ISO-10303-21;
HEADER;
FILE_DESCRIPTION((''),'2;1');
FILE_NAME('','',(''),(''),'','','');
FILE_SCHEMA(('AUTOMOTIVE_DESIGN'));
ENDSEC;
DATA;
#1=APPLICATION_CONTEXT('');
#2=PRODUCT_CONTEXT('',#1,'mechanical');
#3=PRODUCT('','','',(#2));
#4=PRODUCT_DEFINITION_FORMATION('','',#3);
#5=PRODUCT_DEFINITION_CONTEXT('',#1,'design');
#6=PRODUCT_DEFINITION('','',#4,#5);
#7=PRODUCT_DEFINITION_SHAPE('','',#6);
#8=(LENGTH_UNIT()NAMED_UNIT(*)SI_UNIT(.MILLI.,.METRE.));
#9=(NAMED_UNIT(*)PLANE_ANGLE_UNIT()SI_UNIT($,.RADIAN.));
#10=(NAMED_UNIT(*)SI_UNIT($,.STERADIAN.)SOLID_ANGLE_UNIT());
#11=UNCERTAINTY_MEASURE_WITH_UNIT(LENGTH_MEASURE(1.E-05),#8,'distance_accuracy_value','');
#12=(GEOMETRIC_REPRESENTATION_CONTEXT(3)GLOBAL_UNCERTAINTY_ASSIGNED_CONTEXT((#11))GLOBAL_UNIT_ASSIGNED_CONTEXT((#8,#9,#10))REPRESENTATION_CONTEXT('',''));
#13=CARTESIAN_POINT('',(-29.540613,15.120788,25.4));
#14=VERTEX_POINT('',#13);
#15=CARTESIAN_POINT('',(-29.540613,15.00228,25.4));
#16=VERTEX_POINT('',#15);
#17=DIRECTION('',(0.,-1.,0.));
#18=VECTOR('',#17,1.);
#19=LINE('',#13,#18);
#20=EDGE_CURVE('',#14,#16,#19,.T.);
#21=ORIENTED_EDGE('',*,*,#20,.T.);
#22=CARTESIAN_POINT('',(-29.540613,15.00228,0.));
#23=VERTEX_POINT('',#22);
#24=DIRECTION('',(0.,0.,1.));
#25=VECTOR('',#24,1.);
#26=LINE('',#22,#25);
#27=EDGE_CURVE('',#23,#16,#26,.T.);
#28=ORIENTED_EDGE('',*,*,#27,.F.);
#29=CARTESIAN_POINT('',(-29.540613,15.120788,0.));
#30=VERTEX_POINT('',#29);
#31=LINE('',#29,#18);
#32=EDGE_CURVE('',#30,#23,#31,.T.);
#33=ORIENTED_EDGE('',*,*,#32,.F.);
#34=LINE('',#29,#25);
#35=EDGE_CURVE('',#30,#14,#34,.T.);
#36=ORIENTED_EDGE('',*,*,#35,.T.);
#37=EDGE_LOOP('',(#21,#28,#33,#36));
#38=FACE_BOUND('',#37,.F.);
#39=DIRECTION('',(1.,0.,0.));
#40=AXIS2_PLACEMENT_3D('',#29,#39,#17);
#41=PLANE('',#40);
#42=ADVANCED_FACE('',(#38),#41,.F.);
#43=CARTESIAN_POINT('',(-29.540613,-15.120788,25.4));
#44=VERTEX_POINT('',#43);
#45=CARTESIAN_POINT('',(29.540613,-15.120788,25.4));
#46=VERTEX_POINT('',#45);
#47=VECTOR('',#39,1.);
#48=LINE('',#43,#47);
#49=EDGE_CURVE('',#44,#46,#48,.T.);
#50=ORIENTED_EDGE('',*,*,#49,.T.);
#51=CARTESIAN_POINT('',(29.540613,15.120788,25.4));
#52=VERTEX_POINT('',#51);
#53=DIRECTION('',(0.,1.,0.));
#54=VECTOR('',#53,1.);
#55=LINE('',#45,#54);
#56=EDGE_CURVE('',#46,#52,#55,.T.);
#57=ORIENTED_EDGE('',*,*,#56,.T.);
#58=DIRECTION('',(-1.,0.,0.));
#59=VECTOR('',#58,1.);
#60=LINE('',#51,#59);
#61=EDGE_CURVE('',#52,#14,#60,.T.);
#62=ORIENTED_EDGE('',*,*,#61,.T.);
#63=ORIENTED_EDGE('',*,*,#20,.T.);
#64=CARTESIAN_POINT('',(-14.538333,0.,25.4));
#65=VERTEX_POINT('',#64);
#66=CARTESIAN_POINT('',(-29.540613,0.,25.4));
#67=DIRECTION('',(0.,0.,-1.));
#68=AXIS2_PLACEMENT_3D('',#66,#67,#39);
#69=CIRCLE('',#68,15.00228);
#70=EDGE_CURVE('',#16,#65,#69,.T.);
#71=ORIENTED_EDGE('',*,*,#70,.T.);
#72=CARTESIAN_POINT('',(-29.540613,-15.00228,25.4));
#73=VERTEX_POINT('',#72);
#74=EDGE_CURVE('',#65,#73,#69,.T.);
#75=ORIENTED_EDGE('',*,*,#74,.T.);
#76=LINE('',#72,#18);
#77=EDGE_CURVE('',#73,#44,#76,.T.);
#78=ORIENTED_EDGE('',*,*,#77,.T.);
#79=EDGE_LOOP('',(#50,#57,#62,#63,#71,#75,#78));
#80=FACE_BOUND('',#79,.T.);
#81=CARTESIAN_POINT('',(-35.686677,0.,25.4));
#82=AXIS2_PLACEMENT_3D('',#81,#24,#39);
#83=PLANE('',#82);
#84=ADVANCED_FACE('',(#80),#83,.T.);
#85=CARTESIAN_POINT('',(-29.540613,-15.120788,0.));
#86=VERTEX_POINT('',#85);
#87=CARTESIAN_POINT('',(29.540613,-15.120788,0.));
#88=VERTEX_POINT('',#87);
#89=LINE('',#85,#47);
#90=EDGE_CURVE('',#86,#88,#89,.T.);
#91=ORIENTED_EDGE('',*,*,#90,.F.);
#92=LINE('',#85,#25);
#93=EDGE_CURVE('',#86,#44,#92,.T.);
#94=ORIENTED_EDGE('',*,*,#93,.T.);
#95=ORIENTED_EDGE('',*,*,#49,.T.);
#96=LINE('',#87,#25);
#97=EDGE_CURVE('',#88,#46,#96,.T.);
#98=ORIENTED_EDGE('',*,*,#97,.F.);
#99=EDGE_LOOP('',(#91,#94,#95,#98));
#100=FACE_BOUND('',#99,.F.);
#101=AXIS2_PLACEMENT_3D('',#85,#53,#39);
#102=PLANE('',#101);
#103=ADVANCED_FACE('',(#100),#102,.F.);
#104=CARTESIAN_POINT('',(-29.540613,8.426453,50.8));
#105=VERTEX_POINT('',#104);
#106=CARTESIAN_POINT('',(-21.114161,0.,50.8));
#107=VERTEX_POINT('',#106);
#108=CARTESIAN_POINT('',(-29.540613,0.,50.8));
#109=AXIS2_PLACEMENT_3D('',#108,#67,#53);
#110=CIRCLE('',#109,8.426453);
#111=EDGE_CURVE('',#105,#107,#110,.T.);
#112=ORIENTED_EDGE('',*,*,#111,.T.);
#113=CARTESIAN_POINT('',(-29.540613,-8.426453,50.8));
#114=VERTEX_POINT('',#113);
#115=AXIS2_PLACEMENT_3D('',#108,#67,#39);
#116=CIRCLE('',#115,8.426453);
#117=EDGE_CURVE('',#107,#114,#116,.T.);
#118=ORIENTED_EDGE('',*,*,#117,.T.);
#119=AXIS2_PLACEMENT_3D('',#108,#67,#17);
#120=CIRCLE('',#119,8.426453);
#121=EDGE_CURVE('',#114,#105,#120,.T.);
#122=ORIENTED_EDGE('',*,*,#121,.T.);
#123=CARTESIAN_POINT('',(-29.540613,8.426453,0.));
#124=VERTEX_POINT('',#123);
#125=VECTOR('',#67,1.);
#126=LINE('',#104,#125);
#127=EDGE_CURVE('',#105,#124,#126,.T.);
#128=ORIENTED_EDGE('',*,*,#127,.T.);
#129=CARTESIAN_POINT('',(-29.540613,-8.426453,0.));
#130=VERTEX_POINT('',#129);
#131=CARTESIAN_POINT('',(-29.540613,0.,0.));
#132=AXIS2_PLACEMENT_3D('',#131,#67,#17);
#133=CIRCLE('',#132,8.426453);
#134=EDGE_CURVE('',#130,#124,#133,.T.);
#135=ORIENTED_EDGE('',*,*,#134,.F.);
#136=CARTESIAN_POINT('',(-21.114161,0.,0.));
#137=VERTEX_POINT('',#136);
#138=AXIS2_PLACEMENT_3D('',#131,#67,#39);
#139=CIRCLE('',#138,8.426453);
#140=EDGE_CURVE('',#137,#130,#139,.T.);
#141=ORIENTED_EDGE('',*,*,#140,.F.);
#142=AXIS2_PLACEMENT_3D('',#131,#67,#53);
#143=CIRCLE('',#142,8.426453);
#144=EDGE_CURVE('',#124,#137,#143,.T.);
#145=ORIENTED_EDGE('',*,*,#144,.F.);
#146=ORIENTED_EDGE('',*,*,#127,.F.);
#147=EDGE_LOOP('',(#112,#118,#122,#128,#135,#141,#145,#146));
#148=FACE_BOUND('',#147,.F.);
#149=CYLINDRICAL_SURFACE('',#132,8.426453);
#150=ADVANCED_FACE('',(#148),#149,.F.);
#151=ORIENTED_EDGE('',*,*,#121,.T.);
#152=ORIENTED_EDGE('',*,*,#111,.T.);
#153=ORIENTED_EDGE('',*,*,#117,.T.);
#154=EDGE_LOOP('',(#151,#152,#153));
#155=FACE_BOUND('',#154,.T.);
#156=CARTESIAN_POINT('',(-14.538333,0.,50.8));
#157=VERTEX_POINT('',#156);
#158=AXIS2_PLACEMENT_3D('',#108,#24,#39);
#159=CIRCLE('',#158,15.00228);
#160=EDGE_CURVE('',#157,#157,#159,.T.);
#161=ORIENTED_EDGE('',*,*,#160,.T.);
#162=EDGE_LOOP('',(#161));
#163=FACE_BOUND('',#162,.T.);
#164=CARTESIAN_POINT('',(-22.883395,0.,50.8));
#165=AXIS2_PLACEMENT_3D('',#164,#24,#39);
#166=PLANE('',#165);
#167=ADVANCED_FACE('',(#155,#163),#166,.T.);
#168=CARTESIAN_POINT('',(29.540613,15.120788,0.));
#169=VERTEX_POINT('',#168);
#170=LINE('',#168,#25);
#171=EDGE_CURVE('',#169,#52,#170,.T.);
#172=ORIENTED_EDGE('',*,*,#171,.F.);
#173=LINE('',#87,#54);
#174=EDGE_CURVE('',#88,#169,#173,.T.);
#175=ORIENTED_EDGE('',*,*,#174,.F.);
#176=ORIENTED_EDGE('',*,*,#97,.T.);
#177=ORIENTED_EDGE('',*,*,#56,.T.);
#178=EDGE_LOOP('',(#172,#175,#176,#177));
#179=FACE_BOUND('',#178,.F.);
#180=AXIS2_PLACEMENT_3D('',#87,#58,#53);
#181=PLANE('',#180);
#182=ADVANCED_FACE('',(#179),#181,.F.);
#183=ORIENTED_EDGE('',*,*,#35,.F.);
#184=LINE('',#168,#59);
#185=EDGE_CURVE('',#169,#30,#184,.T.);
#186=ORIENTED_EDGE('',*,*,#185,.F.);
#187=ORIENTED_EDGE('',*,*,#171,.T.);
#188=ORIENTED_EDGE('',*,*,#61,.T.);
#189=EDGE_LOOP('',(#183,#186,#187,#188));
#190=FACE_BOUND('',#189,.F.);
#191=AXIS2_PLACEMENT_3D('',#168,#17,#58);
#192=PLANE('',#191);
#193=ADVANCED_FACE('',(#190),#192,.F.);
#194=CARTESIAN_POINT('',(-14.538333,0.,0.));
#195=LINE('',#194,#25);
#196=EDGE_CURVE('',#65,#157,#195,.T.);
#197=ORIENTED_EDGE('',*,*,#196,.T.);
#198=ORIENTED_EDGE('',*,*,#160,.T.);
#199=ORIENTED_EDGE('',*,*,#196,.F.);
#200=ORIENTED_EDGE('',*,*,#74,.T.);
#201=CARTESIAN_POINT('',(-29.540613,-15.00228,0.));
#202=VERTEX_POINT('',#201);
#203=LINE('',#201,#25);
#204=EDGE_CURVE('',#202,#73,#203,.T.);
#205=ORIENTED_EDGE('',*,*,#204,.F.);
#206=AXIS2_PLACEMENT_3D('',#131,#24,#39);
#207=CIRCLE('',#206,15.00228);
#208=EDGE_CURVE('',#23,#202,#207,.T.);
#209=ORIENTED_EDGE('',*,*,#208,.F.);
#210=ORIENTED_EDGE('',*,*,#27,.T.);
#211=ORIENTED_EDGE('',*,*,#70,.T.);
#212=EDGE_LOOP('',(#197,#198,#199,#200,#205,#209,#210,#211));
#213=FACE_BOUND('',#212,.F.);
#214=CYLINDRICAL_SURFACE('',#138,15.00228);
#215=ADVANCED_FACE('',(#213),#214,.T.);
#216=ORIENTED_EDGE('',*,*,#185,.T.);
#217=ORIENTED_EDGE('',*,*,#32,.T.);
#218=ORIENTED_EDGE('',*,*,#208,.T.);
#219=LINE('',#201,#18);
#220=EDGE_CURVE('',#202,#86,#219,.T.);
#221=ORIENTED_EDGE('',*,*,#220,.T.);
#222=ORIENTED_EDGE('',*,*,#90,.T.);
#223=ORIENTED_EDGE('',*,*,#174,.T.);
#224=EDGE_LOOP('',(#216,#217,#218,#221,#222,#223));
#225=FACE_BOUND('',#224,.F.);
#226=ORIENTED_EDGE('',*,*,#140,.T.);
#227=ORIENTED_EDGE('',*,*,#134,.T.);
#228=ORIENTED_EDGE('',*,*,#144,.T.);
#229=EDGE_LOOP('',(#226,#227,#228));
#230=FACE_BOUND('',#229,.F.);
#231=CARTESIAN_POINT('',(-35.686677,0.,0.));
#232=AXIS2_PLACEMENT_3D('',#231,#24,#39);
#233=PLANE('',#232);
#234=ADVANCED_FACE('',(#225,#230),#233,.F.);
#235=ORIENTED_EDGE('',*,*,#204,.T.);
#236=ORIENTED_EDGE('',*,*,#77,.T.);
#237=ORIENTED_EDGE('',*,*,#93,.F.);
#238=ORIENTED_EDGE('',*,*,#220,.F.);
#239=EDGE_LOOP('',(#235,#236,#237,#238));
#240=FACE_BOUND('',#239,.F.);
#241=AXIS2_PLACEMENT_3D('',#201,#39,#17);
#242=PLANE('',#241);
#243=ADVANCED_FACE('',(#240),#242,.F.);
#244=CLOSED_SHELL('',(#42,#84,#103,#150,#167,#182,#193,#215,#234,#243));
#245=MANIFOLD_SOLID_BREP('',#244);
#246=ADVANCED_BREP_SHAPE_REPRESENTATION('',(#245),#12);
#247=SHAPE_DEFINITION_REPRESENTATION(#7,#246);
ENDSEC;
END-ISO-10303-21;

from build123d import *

# Parameters (mm, degrees)
F1_DEPTH = 25.4
F2_DEPTH = 50.8


with BuildPart() as f1:
    # F0 (on Top) → F1 (new body)
    with BuildSketch(Plane.XY):
        with BuildLine():
            Line((-29.5406132936, 8.4264525218), (-29.5406132936, 15.0022802835))
            ThreePointArc((-29.5406132936, 15.0022802835), (-44.5428935771, 0), (-29.5406132936, -15.0022802835))
            Line((-29.5406132936, -15.0022802835), (-29.5406132936, -8.4264525218))
            ThreePointArc((-29.5406132936, -8.4264525218), (-37.9670658155, 0), (-29.5406132936, 8.4264525218))
        make_face()
        with BuildLine():
            ThreePointArc((-14.5383330102, 0), (-18.9323991719, 10.6082141217), (-29.5406132936, 15.0022802835))
            Line((-29.5406132936, 15.0022802835), (-29.5406132936, 8.4264525218))
            ThreePointArc((-29.5406132936, 8.4264525218), (-23.5822115741, 5.9584017195), (-21.1141607718, 0))
            ThreePointArc((-21.1141607718, 0), (-23.5822115741, -5.9584017195), (-29.5406132936, -8.4264525218))
            Line((-29.5406132936, -8.4264525218), (-29.5406132936, -15.0022802835))
            ThreePointArc((-29.5406132936, -15.0022802835), (-18.9323991719, -10.6082141217), (-14.5383330102, 0))
        make_face()
        with BuildLine():
            Line((29.5406132936, 15.1207884774), (-29.5406132936, 15.1207884774))
            Line((-29.5406132936, 15.1207884774), (-29.5406132936, 15.0022802835))
            ThreePointArc((-29.5406132936, 15.0022802835), (-18.9323991719, 10.6082141217), (-14.5383330102, 0))
            ThreePointArc((-14.5383330102, 0), (-18.9323991719, -10.6082141217), (-29.5406132936, -15.0022802835))
            Line((-29.5406132936, -15.0022802835), (-29.5406132936, -15.1207884774))
            Line((-29.5406132936, -15.1207884774), (29.5406132936, -15.1207884774))
            Line((29.5406132936, -15.1207884774), (29.5406132936, 15.1207884774))
        make_face()
    extrude(amount=F1_DEPTH)

    # F0 (on Top) → F2 (join)
    with BuildSketch(Plane.XY):
        with BuildLine():
            ThreePointArc((-14.5383330102, 0), (-18.9323991719, 10.6082141217), (-29.5406132936, 15.0022802835))
            Line((-29.5406132936, 15.0022802835), (-29.5406132936, 8.4264525218))
            ThreePointArc((-29.5406132936, 8.4264525218), (-23.5822115741, 5.9584017195), (-21.1141607718, 0))
            ThreePointArc((-21.1141607718, 0), (-23.5822115741, -5.9584017195), (-29.5406132936, -8.4264525218))
            Line((-29.5406132936, -8.4264525218), (-29.5406132936, -15.0022802835))
            ThreePointArc((-29.5406132936, -15.0022802835), (-18.9323991719, -10.6082141217), (-14.5383330102, 0))
        make_face()
        with BuildLine():
            Line((-29.5406132936, 8.4264525218), (-29.5406132936, 15.0022802835))
            ThreePointArc((-29.5406132936, 15.0022802835), (-44.5428935771, 0), (-29.5406132936, -15.0022802835))
            Line((-29.5406132936, -15.0022802835), (-29.5406132936, -8.4264525218))
            ThreePointArc((-29.5406132936, -8.4264525218), (-37.9670658155, 0), (-29.5406132936, 8.4264525218))
        make_face()
    extrude(amount=F2_DEPTH)


solid = f1.part
